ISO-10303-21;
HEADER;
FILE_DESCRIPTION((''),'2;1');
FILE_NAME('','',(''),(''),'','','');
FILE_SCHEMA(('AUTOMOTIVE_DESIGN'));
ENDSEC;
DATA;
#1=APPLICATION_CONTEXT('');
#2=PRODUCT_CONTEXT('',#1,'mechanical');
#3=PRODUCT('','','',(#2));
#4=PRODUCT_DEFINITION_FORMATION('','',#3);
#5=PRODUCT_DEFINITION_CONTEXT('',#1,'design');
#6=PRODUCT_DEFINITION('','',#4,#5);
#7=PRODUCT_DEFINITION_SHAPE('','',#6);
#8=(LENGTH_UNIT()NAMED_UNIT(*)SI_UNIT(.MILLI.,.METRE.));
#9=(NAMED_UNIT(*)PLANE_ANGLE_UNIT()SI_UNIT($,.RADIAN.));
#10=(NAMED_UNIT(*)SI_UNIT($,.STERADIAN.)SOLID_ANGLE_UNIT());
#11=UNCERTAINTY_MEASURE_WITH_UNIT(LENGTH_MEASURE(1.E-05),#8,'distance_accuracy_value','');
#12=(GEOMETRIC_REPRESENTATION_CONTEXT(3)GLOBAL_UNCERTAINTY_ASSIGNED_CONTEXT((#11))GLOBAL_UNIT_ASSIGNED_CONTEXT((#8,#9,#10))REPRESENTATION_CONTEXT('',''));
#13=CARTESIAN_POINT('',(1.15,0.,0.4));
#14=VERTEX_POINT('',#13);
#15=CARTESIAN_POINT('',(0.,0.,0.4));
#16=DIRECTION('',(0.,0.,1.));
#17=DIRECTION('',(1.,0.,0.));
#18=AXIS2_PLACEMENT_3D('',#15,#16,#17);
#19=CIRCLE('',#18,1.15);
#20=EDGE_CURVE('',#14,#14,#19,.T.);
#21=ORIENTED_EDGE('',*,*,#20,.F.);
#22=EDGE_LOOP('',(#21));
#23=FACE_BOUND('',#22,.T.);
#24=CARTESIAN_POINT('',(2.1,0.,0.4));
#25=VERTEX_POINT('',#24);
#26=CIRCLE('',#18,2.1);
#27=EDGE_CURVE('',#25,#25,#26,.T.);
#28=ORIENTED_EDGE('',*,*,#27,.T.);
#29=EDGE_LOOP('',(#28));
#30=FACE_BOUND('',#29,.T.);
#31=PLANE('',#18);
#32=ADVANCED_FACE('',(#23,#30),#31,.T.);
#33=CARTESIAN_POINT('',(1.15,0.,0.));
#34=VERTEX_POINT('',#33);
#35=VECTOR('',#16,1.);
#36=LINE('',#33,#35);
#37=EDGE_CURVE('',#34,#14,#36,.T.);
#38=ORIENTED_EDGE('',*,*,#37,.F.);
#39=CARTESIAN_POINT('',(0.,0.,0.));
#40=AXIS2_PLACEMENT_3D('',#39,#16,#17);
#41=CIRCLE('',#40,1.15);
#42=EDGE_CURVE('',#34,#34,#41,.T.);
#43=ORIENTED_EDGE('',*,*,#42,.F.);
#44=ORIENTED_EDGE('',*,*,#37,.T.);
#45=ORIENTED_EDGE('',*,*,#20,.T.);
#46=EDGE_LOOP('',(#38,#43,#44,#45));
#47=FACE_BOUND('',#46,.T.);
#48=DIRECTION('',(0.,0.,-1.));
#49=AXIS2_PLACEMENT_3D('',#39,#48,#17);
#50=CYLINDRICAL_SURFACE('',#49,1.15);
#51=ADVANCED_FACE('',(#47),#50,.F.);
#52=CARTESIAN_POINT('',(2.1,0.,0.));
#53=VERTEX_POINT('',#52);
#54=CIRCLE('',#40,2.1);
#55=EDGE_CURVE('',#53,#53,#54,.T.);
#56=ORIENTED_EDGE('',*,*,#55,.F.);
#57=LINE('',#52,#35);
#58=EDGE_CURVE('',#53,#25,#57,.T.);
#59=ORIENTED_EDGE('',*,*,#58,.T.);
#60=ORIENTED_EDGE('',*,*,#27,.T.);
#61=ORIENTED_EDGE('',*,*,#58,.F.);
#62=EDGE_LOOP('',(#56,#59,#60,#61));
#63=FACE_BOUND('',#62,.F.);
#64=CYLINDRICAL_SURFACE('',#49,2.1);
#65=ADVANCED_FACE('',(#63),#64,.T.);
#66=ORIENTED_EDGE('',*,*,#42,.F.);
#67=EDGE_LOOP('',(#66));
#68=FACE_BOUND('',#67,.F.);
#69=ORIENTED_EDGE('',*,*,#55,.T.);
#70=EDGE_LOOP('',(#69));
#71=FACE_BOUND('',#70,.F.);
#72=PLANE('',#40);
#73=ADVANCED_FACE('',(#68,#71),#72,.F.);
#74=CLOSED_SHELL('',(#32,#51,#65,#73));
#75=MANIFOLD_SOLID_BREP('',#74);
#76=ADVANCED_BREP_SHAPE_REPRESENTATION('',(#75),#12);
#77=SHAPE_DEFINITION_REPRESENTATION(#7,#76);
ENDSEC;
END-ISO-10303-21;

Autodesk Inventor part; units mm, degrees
ref_plane "YZ Plane" through (0, 0, 0) normal (1, 0, 0) x (0, 1, 0)
ref_plane "XZ Plane" through (0, 0, 0) normal (0, 1, 0) x (-1, 0, 0)
ref_plane "XY Plane" through (0, 0, 0) normal (0, 0, 1) x (1, 0, 0)
sketch "スケッチ1" plane through (0, 0, 0) normal (0, 0, 1) x (1, 0, 0)
  circle A0 centre (0, 0) radius 2.1
  circle A1 centre (0, 0) radius 1.15
  dimension "d0" = 4.2
  dimension "d1" = 2.3
extrude "押し出し1" add sketch "スケッチ1" along normal blind 0.4
properties part number "washer_M2" material "ステンレス鋼"
